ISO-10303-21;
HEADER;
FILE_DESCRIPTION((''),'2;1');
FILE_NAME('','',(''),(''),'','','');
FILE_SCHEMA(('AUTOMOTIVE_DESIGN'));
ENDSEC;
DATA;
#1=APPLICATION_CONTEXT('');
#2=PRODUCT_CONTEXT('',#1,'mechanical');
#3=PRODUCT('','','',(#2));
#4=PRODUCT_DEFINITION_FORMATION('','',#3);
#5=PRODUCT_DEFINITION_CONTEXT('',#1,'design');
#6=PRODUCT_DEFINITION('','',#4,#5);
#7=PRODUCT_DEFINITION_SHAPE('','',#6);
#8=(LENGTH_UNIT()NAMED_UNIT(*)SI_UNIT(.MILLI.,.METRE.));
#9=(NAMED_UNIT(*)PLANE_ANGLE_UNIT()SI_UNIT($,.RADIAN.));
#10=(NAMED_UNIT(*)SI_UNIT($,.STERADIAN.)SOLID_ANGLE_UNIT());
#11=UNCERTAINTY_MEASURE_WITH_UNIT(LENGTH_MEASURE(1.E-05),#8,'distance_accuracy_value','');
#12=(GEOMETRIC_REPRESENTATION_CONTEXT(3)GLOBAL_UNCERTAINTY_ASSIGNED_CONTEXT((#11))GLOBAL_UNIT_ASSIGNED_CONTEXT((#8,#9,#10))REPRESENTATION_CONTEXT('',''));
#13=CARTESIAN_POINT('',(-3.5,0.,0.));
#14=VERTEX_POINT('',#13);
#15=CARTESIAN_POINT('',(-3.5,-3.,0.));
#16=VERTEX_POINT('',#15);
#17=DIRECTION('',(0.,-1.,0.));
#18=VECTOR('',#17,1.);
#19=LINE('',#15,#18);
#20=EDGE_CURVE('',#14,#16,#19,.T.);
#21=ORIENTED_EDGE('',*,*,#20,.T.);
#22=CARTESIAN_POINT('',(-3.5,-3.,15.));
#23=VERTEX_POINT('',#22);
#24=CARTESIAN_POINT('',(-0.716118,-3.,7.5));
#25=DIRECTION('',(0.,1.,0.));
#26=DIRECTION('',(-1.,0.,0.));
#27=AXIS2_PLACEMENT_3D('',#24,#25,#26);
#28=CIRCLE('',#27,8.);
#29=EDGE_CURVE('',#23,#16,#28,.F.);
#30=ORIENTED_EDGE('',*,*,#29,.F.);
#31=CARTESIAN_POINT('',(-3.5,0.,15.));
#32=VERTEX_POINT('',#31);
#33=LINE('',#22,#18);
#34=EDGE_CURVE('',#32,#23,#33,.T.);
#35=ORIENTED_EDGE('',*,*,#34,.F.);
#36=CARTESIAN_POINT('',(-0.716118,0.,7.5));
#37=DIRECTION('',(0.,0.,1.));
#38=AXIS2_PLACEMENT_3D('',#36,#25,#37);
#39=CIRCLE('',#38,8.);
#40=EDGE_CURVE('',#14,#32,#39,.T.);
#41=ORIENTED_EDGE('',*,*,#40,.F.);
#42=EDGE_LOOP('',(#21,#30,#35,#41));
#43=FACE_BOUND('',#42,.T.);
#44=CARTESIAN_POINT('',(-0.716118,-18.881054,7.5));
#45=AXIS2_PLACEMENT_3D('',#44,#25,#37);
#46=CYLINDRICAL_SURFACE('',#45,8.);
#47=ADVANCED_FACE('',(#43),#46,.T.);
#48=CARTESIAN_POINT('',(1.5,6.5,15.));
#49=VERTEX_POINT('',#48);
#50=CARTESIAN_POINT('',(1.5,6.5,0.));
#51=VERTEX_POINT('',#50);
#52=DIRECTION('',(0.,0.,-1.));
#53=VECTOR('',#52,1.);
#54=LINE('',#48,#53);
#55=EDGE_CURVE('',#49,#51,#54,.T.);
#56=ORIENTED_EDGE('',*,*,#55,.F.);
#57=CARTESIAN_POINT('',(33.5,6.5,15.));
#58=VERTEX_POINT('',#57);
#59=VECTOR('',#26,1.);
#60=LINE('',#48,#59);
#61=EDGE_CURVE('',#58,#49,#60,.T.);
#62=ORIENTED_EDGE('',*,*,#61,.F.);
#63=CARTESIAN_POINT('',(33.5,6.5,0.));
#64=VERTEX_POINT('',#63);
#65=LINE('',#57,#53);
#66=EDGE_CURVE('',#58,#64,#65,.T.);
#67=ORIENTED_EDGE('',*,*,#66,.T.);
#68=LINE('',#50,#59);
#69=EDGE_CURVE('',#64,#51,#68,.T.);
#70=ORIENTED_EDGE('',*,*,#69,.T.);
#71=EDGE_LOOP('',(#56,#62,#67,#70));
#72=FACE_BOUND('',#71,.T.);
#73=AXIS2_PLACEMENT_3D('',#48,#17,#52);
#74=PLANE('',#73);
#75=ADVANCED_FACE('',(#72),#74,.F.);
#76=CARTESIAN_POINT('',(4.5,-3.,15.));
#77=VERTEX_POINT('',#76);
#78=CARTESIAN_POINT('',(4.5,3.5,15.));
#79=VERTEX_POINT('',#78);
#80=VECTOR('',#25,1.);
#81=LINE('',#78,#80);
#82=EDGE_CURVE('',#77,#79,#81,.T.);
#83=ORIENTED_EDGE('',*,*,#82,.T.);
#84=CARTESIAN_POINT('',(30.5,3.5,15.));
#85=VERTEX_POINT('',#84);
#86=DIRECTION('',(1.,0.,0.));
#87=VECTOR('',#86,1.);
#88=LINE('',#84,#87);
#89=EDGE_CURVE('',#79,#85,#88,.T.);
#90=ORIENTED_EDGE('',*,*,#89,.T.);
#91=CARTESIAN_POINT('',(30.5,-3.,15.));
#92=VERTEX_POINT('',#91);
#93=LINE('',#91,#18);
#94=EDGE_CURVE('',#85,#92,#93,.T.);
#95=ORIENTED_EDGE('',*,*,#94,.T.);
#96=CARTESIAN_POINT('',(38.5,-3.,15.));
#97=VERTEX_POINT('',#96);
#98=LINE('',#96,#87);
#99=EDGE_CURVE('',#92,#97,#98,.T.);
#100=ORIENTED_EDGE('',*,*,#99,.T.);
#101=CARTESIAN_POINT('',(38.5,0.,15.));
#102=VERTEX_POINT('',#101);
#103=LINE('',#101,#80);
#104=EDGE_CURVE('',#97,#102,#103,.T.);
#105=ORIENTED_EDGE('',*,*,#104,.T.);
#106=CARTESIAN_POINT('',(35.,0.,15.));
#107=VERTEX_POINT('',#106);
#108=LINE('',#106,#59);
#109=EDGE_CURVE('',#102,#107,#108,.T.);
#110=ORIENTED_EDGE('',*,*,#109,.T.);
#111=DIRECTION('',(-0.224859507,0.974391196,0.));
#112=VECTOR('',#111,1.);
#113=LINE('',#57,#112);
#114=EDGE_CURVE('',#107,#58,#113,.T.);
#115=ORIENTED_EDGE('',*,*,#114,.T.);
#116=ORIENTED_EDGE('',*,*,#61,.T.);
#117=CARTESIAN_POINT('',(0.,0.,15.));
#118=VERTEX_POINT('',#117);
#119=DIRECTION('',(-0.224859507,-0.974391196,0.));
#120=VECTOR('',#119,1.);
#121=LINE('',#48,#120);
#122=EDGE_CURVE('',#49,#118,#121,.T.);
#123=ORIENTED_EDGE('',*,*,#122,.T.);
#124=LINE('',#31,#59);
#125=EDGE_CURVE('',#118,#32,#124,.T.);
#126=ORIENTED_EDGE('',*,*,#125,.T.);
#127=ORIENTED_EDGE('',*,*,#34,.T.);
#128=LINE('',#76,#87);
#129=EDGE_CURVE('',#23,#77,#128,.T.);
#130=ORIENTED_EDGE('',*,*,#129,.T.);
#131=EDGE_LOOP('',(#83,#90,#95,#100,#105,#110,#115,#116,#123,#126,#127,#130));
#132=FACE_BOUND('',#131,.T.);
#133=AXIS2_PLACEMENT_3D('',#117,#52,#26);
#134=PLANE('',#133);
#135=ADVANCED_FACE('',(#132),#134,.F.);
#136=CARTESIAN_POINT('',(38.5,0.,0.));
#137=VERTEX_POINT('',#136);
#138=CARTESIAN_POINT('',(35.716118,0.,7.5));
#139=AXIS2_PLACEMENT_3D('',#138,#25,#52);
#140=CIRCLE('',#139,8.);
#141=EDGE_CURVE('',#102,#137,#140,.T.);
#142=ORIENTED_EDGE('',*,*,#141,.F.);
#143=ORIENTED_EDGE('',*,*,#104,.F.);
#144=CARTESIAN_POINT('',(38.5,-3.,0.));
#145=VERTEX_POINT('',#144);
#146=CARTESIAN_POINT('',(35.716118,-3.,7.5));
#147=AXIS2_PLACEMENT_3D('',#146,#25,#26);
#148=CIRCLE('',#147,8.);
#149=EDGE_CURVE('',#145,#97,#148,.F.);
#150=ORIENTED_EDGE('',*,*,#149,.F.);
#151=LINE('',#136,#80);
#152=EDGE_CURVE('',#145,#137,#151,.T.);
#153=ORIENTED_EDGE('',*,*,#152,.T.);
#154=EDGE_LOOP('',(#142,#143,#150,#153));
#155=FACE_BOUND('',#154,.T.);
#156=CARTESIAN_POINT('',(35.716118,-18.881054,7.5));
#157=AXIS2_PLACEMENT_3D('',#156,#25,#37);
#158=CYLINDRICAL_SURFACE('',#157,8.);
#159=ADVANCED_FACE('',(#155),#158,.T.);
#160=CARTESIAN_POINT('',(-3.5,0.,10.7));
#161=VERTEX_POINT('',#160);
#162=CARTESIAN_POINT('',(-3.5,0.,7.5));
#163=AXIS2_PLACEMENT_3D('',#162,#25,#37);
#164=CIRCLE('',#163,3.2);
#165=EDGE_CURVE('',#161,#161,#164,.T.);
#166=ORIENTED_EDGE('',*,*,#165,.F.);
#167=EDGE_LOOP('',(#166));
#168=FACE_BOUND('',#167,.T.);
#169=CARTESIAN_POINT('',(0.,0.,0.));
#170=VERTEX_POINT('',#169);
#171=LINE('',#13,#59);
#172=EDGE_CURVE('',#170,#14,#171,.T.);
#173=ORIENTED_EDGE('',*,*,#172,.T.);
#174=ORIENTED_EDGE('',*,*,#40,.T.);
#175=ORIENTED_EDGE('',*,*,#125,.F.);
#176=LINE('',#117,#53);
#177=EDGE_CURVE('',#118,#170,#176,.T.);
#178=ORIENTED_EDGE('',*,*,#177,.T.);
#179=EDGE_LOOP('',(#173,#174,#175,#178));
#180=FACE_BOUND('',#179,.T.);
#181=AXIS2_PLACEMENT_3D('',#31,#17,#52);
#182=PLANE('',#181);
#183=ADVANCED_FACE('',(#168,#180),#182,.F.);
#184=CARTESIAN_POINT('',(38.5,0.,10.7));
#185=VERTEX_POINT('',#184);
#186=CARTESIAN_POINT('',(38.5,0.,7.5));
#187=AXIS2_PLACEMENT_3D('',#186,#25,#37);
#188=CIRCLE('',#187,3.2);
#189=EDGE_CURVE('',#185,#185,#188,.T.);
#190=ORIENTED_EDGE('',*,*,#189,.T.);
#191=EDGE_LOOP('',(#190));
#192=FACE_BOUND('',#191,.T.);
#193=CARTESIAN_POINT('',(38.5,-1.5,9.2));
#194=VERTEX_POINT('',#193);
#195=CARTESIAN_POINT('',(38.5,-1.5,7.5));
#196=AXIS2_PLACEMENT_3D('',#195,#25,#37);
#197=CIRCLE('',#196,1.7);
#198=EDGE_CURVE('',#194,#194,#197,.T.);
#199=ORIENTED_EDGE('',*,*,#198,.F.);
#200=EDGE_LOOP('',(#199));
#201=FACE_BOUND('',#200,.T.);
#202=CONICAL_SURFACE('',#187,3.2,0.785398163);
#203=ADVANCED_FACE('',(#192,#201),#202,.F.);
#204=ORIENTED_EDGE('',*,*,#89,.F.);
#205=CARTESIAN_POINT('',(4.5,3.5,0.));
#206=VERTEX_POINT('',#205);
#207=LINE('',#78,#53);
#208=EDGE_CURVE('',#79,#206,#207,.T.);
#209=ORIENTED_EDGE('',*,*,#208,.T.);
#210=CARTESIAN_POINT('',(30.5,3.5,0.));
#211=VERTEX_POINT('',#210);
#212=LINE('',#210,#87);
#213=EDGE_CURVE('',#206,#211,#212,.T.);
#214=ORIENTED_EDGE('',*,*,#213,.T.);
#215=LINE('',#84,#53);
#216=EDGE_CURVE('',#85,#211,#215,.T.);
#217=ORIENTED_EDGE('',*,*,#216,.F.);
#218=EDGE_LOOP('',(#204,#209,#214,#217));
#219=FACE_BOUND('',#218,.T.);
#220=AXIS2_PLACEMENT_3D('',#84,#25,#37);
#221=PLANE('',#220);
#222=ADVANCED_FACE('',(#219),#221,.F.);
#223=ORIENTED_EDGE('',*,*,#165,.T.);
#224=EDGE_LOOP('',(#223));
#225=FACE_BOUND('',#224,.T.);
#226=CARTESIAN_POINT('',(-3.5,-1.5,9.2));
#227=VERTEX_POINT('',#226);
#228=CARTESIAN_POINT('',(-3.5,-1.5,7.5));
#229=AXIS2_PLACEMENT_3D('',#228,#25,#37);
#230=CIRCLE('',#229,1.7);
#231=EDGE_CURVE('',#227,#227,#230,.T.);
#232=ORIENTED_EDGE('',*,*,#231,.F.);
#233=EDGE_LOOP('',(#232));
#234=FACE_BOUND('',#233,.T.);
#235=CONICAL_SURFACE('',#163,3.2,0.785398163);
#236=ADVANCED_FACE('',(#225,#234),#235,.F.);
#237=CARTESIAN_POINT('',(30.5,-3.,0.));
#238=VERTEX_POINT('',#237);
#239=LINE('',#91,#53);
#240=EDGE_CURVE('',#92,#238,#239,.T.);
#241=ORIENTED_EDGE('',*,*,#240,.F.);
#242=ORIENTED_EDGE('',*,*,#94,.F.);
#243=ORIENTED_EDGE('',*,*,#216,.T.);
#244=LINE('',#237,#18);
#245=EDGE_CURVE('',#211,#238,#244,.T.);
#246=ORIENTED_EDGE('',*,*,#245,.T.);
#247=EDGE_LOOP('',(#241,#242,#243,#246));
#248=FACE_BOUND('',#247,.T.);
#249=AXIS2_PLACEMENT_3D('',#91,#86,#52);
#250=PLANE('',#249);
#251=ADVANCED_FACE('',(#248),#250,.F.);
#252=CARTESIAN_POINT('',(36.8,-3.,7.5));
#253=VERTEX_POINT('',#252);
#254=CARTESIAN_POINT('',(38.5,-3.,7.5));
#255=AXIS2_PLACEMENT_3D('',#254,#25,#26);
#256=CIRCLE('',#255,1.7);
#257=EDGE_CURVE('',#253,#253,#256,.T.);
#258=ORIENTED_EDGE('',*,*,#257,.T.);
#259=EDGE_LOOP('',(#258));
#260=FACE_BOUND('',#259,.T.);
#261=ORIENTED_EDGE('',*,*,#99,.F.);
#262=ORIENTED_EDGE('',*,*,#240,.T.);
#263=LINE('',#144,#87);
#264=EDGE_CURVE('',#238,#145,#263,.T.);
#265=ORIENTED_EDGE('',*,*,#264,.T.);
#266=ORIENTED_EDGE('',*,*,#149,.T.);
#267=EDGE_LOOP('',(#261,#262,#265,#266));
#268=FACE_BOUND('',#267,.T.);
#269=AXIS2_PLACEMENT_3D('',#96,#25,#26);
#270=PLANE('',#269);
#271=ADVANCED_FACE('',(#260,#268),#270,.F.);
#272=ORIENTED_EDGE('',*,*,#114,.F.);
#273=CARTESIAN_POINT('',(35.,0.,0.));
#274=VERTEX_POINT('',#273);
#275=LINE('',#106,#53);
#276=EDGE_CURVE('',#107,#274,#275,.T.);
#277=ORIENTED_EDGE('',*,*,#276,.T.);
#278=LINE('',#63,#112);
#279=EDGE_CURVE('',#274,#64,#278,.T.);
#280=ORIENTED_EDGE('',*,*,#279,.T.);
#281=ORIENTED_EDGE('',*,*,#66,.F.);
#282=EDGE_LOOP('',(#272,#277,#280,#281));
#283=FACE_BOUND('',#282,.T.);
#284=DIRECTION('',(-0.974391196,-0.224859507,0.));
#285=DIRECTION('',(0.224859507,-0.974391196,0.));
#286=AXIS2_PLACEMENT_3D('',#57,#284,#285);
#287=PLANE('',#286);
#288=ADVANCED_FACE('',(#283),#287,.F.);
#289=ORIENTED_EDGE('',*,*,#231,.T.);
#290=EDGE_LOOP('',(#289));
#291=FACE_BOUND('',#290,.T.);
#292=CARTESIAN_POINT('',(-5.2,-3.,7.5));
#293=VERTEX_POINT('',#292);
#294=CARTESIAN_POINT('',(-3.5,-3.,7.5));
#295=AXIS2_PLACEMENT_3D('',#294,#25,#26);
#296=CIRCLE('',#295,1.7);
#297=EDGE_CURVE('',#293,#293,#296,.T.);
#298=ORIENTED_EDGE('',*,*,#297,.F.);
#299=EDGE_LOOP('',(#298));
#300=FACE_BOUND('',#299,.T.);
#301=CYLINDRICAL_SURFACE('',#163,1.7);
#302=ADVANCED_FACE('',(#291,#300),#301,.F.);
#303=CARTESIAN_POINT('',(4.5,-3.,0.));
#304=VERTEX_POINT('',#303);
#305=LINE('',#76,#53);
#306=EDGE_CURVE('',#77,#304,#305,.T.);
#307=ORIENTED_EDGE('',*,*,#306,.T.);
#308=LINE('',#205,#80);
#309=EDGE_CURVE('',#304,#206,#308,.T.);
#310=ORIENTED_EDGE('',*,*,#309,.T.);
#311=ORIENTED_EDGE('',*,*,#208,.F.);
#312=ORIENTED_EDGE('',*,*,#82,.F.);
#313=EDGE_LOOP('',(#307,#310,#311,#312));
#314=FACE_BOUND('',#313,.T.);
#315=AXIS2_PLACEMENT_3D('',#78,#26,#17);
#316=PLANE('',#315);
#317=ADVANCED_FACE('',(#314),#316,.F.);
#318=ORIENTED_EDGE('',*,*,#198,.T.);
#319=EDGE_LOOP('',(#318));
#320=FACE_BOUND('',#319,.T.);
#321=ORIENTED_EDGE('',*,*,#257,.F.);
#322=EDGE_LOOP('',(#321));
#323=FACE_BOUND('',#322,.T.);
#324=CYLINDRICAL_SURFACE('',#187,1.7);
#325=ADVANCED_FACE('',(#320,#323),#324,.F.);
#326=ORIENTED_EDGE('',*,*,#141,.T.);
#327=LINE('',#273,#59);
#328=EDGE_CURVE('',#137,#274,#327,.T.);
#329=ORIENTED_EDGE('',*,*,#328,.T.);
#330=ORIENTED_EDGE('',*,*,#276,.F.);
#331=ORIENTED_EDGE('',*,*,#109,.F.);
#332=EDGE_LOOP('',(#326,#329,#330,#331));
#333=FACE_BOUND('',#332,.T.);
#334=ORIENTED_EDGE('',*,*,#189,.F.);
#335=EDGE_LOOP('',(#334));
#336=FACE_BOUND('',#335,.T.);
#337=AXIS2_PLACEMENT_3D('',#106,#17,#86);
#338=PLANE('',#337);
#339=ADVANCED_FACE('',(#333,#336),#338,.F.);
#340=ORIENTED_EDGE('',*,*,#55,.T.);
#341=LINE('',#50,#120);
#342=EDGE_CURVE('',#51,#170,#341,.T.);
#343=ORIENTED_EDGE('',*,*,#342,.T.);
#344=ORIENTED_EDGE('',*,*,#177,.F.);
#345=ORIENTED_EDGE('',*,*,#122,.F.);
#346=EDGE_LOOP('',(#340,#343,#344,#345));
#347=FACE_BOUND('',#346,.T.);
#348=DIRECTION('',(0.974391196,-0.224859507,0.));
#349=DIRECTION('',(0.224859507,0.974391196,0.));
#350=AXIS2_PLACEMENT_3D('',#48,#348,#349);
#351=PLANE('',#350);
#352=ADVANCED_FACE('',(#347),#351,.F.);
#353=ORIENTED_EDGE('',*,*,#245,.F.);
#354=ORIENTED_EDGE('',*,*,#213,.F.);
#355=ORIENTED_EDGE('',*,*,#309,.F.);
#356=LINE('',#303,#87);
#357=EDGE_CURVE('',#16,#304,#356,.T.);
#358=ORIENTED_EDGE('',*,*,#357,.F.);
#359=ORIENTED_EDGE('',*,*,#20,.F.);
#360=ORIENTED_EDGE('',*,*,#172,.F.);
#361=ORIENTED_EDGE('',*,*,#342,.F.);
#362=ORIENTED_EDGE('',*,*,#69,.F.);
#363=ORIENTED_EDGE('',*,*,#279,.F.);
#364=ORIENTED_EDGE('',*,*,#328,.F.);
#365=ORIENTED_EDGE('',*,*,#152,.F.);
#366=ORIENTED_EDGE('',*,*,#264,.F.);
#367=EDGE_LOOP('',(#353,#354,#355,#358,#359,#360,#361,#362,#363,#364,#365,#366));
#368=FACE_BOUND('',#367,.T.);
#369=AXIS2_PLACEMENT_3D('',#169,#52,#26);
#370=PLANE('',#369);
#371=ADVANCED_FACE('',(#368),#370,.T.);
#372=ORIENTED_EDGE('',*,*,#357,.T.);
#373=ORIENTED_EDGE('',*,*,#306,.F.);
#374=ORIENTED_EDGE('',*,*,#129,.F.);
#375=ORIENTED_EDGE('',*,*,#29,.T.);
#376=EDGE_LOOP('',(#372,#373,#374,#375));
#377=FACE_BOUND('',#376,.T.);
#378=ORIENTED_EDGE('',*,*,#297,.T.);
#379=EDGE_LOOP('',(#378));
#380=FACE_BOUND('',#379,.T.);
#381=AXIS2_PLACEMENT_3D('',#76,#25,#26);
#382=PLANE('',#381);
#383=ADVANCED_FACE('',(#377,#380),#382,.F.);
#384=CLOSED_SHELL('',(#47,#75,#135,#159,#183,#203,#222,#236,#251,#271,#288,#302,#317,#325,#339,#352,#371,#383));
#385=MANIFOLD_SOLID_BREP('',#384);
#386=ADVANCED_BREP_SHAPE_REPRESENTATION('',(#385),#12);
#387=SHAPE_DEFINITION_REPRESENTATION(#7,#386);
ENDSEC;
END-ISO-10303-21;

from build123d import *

# Parameters (mm, degrees)
BOSS_EXTRUDE1_DEPTH                                 = 15
BOSS_EXTRUDE2_DEPTH                                 = 3
CSK_FOR_M3_COUNTERSUNK_FLAT_HEAD_SCREW1_D           = 3.4
CSK_FOR_M3_COUNTERSUNK_FLAT_HEAD_SCREW1_DEPTH       = 64
CSK_FOR_M3_COUNTERSUNK_FLAT_HEAD_SCREW1_CSINK_D     = 6.4
CSK_FOR_M3_COUNTERSUNK_FLAT_HEAD_SCREW1_CSINK_ANGLE = 90
CSK_FOR_M3_COUNTERSUNK_FLAT_HEAD_SCREW1_TIP         = 1.021463052


with BuildPart() as part:
    # Sketch2 → Boss-Extrude1 (new body)
    with BuildSketch(Plane.XY):
        Polygon((1.5, 6.5), (0, 0), (-3.5, 0), (-3.5, -3), (4.5, -3), (4.5, 3.5), (30.5, 3.5), (30.5, -3), (38.5, -3), (38.5, 0), (35, 0), (33.5, 6.5), align=None)
    extrude(amount=BOSS_EXTRUDE1_DEPTH)

    # Sketch3 → Boss-Extrude2 (add)
    with BuildSketch(Plane(origin=(0, 0, 0), x_dir=(1, 0, 0), z_dir=(0, 1, 0))):
        with BuildLine():
            Line((-3.5, 0), (-3.5, -15))
            ThreePointArc((-3.5, -15), (-8.716117819, -7.5), (-3.5, 0))
        make_face()
        with BuildLine():
            Line((38.5, 0), (38.5, -15))
            ThreePointArc((38.5, -15), (43.716117819, -7.5), (38.5, 0))
        make_face()
    extrude(amount=-BOSS_EXTRUDE2_DEPTH)

    # CSK for M3 Countersunk Flat Head Screw1
    with Locations(Plane(origin=(0, 0, 0), x_dir=(1, 0, 0), z_dir=(0, 1, 0))):
        with Locations((-3.5, -7.5), (38.5, -7.5)):
            CounterSinkHole(CSK_FOR_M3_COUNTERSUNK_FLAT_HEAD_SCREW1_D / 2, CSK_FOR_M3_COUNTERSUNK_FLAT_HEAD_SCREW1_CSINK_D / 2, depth=CSK_FOR_M3_COUNTERSUNK_FLAT_HEAD_SCREW1_DEPTH, counter_sink_angle=CSK_FOR_M3_COUNTERSUNK_FLAT_HEAD_SCREW1_CSINK_ANGLE)
            with Locations((0, 0, -(CSK_FOR_M3_COUNTERSUNK_FLAT_HEAD_SCREW1_DEPTH + CSK_FOR_M3_COUNTERSUNK_FLAT_HEAD_SCREW1_TIP / 2))):  # 118° drill point
                Cone(0, CSK_FOR_M3_COUNTERSUNK_FLAT_HEAD_SCREW1_D / 2, CSK_FOR_M3_COUNTERSUNK_FLAT_HEAD_SCREW1_TIP, mode=Mode.SUBTRACT)


solid = part.part
